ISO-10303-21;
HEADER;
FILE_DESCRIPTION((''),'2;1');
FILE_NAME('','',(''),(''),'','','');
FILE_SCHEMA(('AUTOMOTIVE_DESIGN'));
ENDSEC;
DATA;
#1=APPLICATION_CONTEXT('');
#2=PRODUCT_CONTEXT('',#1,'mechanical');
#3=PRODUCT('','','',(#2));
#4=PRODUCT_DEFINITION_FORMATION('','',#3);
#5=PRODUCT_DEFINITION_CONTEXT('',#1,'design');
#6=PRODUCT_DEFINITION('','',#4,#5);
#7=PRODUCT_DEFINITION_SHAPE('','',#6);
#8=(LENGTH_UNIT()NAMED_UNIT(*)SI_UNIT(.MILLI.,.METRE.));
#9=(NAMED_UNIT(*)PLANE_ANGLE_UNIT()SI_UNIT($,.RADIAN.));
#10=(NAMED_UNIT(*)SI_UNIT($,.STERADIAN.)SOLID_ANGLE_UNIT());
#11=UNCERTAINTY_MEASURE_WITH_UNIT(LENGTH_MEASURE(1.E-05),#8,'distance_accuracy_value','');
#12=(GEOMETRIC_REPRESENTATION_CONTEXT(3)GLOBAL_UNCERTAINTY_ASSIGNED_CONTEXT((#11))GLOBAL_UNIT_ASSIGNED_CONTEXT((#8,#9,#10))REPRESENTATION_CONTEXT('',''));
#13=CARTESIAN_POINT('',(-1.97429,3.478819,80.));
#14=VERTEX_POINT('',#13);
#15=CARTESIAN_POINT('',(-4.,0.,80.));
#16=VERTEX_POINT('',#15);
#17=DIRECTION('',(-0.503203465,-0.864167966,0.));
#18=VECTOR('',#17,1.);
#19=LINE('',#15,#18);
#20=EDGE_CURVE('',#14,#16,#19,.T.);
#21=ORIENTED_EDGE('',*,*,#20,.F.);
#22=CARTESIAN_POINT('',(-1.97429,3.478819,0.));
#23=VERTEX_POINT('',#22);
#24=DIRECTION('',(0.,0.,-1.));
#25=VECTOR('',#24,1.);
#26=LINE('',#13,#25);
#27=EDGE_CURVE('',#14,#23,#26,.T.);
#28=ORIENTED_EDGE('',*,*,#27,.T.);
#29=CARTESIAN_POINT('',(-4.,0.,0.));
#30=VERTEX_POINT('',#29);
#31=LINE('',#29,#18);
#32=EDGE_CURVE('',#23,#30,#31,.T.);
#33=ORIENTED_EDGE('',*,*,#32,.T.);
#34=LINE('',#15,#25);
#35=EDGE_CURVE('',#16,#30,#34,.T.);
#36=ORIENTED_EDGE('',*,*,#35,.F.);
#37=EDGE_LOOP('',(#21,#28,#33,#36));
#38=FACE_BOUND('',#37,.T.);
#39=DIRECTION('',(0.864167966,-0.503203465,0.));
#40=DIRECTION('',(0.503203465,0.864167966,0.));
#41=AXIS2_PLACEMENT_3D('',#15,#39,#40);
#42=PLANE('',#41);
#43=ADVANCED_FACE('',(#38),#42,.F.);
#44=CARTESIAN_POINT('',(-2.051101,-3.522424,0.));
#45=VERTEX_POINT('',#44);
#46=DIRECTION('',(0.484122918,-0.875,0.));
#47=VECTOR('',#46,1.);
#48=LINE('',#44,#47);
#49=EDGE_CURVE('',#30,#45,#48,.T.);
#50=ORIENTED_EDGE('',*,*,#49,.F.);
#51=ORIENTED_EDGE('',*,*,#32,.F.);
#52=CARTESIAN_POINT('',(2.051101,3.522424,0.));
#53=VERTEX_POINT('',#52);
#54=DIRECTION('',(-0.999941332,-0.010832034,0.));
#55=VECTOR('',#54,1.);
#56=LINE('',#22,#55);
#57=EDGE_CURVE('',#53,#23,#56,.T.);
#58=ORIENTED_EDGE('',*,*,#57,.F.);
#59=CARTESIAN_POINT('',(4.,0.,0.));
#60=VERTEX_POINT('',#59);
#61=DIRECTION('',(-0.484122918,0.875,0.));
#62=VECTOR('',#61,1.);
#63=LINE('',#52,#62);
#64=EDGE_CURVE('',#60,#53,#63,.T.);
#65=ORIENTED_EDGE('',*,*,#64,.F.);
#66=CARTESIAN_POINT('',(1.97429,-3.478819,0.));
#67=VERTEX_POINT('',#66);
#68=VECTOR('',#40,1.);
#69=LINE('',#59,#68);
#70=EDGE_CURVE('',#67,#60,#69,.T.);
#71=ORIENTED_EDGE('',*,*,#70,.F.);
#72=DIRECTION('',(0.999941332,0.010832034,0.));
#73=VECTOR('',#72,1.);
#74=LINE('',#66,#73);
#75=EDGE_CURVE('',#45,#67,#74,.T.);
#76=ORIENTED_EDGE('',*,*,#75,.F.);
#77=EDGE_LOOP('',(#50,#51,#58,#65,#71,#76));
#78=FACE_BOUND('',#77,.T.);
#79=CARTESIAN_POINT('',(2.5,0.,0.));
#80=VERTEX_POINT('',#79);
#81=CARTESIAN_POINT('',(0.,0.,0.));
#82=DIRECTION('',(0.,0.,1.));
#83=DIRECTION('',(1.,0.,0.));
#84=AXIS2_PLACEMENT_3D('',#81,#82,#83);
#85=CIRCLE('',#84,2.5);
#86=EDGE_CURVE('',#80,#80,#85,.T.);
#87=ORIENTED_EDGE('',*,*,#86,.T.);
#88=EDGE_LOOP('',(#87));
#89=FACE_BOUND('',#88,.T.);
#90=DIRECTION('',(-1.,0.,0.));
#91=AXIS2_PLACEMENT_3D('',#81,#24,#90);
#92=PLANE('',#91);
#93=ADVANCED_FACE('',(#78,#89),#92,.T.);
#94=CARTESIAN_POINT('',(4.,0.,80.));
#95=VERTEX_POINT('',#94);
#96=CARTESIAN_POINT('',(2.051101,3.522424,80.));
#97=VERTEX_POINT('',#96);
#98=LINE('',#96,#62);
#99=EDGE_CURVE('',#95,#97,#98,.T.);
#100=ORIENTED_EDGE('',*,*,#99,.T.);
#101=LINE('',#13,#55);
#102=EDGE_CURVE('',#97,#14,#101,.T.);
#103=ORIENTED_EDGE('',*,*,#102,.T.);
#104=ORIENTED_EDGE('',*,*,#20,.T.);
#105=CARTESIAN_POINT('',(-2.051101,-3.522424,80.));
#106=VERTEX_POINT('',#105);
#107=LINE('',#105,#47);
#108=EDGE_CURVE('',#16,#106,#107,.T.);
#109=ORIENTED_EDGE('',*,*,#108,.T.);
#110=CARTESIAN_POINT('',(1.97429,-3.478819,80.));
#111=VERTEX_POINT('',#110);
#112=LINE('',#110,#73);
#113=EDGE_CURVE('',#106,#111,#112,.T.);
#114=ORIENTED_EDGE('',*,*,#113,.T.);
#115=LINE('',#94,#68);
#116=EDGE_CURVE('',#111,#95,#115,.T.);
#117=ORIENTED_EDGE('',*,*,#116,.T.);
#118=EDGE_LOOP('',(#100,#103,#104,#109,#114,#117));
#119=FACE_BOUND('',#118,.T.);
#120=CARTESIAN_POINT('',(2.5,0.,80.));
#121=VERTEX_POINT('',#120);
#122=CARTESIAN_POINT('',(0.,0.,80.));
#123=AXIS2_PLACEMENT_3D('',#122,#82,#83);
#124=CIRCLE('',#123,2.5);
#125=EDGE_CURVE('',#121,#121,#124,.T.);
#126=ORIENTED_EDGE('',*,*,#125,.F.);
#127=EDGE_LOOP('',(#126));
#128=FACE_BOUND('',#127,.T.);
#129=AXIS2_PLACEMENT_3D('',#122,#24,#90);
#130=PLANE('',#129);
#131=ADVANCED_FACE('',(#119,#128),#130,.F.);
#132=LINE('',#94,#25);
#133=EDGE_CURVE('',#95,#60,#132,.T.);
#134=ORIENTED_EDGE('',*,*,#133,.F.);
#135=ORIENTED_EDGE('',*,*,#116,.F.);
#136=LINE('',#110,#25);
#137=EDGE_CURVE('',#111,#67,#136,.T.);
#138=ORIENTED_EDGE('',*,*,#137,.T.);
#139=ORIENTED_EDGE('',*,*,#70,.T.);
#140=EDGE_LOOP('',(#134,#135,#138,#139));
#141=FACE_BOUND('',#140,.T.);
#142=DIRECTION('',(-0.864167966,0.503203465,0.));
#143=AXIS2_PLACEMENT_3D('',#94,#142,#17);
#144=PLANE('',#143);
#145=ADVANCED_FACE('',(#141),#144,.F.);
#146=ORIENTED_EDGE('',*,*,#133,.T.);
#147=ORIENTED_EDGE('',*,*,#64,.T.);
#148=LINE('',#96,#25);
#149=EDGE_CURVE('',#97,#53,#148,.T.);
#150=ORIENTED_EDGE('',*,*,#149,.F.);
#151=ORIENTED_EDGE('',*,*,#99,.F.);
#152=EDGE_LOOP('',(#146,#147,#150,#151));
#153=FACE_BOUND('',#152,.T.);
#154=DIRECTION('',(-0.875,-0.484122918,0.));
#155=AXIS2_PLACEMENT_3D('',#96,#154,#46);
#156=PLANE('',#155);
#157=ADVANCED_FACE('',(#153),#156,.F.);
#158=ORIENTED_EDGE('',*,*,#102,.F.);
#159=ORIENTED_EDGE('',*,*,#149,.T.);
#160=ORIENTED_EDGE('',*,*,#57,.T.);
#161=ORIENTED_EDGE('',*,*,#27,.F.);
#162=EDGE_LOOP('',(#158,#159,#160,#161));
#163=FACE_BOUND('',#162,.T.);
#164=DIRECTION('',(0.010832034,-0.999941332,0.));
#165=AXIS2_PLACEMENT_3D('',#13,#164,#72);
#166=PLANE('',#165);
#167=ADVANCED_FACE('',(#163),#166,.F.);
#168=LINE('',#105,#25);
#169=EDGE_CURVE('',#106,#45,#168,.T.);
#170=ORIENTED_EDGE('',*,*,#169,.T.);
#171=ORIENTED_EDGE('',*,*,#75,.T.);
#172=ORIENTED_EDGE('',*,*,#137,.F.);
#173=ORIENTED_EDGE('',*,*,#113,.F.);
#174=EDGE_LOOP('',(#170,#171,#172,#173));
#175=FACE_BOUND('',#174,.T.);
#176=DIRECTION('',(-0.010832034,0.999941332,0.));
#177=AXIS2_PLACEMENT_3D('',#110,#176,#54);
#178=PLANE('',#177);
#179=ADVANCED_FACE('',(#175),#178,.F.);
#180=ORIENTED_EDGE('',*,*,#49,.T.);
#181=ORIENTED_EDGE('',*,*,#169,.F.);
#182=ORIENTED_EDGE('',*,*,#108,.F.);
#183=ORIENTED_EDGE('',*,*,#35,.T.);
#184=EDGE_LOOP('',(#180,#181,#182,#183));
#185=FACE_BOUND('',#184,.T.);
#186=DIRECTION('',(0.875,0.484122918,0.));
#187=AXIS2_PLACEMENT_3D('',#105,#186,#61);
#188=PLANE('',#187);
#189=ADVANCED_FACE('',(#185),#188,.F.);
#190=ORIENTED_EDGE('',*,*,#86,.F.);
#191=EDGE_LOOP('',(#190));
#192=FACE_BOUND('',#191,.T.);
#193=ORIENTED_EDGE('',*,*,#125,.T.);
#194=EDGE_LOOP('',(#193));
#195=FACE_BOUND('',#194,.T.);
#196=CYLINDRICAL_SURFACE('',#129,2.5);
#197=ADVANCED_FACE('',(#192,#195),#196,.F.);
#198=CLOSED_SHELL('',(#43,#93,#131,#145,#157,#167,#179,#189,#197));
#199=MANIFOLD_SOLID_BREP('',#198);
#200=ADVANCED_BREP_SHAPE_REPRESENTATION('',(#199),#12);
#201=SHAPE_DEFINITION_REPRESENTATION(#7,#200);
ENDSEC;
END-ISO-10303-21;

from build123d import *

# Parameters (mm, degrees)
SKETCH_1_R      = 2.5
EXTRUDE_1_DEPTH = 80


with BuildPart() as part:
    # 草图1 → 凸台-拉伸1 (new body)
    with BuildSketch(Plane.XY):
        Polygon((-1.974290183, 3.478818517), (2.05110136, 3.522424255), (4, 0), (1.974290183, -3.478818517), (-2.05110136, -3.522424255), (-4, 0), align=None)
        Circle(SKETCH_1_R, mode=Mode.SUBTRACT)
    extrude(amount=EXTRUDE_1_DEPTH)


solid = part.part
